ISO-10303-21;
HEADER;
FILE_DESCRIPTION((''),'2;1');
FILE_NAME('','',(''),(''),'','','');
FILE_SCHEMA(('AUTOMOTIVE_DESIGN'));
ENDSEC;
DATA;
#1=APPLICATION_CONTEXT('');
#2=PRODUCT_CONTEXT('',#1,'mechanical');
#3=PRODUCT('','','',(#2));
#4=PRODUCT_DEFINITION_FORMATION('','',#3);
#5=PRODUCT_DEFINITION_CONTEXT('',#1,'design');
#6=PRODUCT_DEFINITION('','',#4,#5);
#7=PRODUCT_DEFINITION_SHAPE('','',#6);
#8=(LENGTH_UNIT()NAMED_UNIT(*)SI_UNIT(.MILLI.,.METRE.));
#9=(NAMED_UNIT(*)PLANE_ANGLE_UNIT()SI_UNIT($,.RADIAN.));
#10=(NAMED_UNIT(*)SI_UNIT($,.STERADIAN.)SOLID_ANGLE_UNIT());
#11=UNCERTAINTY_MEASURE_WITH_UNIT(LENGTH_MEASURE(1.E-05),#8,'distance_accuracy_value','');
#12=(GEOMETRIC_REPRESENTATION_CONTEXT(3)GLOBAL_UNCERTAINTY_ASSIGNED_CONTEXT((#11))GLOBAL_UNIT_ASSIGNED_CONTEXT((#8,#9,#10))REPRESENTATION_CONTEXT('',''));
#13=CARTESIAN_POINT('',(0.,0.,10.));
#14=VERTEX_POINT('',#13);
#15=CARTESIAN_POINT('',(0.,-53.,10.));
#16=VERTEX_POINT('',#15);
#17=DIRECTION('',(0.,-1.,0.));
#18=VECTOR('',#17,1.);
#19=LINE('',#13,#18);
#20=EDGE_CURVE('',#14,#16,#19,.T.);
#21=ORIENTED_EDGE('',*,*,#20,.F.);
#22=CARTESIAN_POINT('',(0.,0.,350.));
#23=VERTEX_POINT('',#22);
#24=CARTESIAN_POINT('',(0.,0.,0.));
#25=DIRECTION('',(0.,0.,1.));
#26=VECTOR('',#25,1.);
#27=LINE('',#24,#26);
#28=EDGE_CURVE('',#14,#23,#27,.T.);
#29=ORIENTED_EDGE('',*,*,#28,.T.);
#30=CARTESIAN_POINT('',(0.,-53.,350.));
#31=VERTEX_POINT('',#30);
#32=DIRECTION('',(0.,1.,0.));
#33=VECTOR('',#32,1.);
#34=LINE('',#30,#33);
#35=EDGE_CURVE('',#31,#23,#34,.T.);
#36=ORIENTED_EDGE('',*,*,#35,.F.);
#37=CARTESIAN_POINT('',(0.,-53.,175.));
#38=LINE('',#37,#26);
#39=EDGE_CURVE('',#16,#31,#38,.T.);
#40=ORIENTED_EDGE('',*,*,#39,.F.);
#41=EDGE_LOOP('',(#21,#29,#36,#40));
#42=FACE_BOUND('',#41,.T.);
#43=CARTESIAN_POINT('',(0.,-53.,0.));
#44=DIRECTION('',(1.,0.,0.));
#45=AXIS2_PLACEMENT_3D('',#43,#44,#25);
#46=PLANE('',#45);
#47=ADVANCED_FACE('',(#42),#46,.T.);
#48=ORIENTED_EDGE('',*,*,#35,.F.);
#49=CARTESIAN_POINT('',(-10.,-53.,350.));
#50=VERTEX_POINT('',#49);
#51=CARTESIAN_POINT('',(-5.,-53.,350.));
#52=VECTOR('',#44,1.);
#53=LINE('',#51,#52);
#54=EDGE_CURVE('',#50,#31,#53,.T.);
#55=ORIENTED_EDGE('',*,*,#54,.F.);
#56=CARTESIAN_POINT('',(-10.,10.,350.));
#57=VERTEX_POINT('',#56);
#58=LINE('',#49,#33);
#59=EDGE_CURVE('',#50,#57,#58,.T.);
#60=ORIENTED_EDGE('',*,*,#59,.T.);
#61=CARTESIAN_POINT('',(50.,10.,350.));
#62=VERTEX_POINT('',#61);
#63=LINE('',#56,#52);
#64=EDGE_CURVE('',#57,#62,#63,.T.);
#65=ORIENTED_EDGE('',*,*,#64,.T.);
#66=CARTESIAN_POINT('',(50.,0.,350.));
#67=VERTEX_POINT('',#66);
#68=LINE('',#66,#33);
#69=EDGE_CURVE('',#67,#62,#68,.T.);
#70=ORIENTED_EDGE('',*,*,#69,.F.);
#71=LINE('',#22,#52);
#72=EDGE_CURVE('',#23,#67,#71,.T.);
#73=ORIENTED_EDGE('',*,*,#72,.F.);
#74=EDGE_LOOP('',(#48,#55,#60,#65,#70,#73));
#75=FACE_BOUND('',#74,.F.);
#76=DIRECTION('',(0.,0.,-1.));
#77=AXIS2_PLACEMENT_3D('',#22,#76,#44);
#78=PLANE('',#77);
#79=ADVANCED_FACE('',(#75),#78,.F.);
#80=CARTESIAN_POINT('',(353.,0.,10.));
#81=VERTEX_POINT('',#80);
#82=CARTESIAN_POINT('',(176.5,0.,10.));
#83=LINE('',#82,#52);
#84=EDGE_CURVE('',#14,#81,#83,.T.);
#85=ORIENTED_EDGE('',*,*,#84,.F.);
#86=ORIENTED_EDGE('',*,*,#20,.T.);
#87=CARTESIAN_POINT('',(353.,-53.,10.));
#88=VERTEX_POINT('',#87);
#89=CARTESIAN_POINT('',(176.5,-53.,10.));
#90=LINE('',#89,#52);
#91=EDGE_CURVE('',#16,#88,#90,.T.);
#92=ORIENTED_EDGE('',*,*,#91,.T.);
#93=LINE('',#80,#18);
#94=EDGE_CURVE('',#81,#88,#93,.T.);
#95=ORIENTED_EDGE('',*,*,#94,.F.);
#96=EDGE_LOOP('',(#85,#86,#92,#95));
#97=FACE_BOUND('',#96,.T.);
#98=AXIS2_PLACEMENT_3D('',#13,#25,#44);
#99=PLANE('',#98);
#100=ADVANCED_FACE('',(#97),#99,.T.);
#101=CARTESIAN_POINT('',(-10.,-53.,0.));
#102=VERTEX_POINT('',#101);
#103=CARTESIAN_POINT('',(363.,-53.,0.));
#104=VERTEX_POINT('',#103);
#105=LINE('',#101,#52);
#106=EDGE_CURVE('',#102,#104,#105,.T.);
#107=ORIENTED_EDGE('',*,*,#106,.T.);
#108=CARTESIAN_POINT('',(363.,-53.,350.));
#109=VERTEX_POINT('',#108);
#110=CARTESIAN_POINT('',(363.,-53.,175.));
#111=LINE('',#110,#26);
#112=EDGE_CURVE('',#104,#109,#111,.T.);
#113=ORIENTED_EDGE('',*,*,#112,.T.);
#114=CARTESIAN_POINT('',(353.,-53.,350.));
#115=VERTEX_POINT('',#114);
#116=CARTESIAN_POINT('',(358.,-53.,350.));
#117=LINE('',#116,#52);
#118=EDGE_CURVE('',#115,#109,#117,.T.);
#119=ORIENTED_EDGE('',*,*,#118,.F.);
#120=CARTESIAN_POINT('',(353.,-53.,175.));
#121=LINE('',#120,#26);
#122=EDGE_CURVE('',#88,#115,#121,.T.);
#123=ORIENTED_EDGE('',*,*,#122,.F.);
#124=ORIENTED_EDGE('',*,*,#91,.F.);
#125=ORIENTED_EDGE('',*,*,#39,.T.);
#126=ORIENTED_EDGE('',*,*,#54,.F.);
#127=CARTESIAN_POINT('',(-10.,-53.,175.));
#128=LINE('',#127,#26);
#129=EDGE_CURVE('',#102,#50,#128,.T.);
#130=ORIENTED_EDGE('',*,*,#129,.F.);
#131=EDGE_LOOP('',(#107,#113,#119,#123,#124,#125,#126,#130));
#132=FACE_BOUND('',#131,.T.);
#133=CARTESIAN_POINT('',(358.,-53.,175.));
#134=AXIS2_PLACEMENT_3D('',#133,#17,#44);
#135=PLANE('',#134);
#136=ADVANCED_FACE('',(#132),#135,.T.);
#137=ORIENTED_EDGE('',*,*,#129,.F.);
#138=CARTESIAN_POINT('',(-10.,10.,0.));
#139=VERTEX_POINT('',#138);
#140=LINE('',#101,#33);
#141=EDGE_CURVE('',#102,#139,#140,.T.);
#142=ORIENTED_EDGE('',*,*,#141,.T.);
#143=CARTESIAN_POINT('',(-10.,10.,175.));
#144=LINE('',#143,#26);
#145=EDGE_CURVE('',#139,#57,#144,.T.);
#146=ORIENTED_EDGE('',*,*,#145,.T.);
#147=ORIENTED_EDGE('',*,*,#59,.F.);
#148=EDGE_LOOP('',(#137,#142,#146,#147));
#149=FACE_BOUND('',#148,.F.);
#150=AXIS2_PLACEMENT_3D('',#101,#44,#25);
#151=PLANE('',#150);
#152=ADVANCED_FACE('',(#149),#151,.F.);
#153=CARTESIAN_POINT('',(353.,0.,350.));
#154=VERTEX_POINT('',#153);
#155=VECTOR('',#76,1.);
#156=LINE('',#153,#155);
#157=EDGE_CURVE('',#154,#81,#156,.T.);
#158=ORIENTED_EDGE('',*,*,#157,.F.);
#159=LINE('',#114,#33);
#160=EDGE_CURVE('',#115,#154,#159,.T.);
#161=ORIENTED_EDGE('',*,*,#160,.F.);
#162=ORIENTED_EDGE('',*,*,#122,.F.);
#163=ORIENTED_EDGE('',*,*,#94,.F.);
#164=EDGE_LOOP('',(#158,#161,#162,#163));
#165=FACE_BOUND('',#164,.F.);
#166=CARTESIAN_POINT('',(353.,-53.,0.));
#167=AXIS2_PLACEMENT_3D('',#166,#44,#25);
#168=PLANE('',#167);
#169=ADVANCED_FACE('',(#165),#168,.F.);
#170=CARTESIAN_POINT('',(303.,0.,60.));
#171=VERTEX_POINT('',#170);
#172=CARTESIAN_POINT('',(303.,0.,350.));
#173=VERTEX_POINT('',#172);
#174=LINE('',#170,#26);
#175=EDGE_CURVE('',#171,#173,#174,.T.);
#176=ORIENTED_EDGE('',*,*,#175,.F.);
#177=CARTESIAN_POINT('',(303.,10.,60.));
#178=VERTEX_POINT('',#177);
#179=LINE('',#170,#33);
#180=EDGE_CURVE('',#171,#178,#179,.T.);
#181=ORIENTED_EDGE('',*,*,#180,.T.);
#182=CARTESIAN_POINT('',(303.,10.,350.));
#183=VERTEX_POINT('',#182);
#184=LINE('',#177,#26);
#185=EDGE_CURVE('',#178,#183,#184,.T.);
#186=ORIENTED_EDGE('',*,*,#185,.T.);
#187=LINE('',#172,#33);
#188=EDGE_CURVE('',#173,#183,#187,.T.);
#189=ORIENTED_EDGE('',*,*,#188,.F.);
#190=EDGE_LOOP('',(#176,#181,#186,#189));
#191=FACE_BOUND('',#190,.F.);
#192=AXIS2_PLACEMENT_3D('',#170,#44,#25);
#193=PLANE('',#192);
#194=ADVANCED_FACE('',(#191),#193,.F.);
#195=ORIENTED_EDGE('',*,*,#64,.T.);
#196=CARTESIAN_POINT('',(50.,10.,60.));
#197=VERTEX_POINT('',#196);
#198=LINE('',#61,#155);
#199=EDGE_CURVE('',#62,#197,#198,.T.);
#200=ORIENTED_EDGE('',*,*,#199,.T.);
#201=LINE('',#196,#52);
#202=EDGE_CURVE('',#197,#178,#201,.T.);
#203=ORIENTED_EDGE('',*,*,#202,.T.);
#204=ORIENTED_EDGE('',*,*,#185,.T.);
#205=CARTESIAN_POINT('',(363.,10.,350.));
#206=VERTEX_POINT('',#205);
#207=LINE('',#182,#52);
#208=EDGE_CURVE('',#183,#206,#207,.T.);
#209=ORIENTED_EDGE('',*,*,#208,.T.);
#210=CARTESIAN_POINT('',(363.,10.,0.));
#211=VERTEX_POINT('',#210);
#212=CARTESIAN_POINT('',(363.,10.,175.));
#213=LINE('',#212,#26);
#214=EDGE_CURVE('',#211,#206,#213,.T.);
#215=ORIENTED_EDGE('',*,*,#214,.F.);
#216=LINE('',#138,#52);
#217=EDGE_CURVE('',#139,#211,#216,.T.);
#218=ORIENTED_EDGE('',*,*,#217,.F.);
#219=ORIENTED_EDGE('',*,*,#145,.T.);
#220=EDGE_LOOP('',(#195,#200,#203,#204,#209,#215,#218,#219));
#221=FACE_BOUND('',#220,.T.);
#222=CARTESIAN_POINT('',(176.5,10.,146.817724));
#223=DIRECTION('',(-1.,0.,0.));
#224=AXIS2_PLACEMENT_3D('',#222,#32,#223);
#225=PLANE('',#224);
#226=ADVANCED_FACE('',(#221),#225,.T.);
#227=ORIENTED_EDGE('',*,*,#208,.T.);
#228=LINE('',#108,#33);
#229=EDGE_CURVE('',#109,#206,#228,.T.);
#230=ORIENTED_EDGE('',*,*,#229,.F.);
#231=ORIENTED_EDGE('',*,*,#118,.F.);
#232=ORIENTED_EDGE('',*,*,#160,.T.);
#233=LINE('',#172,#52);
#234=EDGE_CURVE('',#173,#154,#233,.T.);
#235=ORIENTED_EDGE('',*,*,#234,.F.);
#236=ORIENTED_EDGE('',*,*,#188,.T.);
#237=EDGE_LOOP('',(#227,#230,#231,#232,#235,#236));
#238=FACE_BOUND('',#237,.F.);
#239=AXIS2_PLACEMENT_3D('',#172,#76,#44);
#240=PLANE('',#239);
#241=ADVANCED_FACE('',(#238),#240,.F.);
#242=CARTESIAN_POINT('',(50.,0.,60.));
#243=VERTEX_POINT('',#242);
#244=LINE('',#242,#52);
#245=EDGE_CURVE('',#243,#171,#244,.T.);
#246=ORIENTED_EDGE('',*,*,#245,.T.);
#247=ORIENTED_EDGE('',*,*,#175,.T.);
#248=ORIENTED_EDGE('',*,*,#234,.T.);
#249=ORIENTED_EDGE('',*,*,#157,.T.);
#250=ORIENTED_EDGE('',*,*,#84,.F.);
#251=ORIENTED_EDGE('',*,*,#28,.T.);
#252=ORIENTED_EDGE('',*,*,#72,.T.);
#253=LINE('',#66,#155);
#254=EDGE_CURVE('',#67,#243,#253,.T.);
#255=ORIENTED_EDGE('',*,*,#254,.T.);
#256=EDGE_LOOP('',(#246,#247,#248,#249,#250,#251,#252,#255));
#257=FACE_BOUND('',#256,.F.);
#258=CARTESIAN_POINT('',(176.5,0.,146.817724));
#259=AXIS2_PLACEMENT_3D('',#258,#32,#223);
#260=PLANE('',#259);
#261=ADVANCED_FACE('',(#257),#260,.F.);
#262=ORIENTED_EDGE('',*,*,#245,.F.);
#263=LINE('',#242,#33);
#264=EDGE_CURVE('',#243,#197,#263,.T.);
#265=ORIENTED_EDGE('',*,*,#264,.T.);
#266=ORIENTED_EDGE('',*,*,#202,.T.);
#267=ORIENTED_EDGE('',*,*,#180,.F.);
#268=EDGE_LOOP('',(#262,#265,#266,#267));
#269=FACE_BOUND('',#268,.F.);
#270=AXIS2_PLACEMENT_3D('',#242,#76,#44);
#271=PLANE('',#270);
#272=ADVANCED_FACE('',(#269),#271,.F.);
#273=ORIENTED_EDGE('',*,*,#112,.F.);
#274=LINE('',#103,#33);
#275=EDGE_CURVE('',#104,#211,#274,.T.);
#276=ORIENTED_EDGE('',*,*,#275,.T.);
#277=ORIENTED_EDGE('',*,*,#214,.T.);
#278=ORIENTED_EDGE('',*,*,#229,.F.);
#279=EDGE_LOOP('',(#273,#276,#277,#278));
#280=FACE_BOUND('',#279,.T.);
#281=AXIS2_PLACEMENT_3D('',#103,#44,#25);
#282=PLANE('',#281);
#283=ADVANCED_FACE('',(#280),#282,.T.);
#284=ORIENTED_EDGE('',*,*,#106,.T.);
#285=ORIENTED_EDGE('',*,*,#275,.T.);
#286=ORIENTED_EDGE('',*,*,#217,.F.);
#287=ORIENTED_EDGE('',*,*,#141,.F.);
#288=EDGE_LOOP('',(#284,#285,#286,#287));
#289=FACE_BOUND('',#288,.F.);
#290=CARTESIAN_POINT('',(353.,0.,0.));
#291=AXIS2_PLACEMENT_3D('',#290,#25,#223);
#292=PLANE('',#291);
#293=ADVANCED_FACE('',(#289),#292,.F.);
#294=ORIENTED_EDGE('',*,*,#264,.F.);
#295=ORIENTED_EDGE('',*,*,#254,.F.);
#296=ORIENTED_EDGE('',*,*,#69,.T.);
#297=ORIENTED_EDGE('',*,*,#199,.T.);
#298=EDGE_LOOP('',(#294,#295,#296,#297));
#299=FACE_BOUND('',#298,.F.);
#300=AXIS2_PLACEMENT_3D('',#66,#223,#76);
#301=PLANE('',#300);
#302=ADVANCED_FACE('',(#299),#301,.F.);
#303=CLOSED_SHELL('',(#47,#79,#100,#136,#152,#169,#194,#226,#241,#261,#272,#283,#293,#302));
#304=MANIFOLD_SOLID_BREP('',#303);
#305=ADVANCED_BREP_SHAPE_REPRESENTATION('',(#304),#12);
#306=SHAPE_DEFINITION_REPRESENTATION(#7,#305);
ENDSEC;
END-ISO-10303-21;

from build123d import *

# Parameters (mm, degrees)
F0_W     = 353
F0_H     = 10
F1_DEPTH = 53
F2_W     = 10
F2_H     = 350
F3_DEPTH = 63
F5_DEPTH = 10


with BuildPart() as f1:
    # F0 (on Front) → F1 (new body)
    with BuildSketch(Plane.XZ):
        with Locations((176.5, 5)):
            Rectangle(F0_W, F0_H)
    extrude(amount=F1_DEPTH)

    # F2 (on face) → F3 (join)
    with BuildSketch(Plane.XZ.offset(53)):
        with Locations((358, 175)):
            Rectangle(F2_W, F2_H)
        with Locations((-5, 175)):
            Rectangle(F2_W, F2_H)
    extrude(amount=-F3_DEPTH)

    # F4 (on face) → F5 (join)
    with BuildSketch(Plane(origin=(0, 0, 0), x_dir=(-1, 0, 0), z_dir=(0, 1, 0))):
        Polygon((-353, 0), (0, 0), (0, 350), (-50, 350), (-50, 60), (-303, 60), (-303, 350), (-353, 350), align=None)
    extrude(amount=F5_DEPTH)


solid = f1.part
